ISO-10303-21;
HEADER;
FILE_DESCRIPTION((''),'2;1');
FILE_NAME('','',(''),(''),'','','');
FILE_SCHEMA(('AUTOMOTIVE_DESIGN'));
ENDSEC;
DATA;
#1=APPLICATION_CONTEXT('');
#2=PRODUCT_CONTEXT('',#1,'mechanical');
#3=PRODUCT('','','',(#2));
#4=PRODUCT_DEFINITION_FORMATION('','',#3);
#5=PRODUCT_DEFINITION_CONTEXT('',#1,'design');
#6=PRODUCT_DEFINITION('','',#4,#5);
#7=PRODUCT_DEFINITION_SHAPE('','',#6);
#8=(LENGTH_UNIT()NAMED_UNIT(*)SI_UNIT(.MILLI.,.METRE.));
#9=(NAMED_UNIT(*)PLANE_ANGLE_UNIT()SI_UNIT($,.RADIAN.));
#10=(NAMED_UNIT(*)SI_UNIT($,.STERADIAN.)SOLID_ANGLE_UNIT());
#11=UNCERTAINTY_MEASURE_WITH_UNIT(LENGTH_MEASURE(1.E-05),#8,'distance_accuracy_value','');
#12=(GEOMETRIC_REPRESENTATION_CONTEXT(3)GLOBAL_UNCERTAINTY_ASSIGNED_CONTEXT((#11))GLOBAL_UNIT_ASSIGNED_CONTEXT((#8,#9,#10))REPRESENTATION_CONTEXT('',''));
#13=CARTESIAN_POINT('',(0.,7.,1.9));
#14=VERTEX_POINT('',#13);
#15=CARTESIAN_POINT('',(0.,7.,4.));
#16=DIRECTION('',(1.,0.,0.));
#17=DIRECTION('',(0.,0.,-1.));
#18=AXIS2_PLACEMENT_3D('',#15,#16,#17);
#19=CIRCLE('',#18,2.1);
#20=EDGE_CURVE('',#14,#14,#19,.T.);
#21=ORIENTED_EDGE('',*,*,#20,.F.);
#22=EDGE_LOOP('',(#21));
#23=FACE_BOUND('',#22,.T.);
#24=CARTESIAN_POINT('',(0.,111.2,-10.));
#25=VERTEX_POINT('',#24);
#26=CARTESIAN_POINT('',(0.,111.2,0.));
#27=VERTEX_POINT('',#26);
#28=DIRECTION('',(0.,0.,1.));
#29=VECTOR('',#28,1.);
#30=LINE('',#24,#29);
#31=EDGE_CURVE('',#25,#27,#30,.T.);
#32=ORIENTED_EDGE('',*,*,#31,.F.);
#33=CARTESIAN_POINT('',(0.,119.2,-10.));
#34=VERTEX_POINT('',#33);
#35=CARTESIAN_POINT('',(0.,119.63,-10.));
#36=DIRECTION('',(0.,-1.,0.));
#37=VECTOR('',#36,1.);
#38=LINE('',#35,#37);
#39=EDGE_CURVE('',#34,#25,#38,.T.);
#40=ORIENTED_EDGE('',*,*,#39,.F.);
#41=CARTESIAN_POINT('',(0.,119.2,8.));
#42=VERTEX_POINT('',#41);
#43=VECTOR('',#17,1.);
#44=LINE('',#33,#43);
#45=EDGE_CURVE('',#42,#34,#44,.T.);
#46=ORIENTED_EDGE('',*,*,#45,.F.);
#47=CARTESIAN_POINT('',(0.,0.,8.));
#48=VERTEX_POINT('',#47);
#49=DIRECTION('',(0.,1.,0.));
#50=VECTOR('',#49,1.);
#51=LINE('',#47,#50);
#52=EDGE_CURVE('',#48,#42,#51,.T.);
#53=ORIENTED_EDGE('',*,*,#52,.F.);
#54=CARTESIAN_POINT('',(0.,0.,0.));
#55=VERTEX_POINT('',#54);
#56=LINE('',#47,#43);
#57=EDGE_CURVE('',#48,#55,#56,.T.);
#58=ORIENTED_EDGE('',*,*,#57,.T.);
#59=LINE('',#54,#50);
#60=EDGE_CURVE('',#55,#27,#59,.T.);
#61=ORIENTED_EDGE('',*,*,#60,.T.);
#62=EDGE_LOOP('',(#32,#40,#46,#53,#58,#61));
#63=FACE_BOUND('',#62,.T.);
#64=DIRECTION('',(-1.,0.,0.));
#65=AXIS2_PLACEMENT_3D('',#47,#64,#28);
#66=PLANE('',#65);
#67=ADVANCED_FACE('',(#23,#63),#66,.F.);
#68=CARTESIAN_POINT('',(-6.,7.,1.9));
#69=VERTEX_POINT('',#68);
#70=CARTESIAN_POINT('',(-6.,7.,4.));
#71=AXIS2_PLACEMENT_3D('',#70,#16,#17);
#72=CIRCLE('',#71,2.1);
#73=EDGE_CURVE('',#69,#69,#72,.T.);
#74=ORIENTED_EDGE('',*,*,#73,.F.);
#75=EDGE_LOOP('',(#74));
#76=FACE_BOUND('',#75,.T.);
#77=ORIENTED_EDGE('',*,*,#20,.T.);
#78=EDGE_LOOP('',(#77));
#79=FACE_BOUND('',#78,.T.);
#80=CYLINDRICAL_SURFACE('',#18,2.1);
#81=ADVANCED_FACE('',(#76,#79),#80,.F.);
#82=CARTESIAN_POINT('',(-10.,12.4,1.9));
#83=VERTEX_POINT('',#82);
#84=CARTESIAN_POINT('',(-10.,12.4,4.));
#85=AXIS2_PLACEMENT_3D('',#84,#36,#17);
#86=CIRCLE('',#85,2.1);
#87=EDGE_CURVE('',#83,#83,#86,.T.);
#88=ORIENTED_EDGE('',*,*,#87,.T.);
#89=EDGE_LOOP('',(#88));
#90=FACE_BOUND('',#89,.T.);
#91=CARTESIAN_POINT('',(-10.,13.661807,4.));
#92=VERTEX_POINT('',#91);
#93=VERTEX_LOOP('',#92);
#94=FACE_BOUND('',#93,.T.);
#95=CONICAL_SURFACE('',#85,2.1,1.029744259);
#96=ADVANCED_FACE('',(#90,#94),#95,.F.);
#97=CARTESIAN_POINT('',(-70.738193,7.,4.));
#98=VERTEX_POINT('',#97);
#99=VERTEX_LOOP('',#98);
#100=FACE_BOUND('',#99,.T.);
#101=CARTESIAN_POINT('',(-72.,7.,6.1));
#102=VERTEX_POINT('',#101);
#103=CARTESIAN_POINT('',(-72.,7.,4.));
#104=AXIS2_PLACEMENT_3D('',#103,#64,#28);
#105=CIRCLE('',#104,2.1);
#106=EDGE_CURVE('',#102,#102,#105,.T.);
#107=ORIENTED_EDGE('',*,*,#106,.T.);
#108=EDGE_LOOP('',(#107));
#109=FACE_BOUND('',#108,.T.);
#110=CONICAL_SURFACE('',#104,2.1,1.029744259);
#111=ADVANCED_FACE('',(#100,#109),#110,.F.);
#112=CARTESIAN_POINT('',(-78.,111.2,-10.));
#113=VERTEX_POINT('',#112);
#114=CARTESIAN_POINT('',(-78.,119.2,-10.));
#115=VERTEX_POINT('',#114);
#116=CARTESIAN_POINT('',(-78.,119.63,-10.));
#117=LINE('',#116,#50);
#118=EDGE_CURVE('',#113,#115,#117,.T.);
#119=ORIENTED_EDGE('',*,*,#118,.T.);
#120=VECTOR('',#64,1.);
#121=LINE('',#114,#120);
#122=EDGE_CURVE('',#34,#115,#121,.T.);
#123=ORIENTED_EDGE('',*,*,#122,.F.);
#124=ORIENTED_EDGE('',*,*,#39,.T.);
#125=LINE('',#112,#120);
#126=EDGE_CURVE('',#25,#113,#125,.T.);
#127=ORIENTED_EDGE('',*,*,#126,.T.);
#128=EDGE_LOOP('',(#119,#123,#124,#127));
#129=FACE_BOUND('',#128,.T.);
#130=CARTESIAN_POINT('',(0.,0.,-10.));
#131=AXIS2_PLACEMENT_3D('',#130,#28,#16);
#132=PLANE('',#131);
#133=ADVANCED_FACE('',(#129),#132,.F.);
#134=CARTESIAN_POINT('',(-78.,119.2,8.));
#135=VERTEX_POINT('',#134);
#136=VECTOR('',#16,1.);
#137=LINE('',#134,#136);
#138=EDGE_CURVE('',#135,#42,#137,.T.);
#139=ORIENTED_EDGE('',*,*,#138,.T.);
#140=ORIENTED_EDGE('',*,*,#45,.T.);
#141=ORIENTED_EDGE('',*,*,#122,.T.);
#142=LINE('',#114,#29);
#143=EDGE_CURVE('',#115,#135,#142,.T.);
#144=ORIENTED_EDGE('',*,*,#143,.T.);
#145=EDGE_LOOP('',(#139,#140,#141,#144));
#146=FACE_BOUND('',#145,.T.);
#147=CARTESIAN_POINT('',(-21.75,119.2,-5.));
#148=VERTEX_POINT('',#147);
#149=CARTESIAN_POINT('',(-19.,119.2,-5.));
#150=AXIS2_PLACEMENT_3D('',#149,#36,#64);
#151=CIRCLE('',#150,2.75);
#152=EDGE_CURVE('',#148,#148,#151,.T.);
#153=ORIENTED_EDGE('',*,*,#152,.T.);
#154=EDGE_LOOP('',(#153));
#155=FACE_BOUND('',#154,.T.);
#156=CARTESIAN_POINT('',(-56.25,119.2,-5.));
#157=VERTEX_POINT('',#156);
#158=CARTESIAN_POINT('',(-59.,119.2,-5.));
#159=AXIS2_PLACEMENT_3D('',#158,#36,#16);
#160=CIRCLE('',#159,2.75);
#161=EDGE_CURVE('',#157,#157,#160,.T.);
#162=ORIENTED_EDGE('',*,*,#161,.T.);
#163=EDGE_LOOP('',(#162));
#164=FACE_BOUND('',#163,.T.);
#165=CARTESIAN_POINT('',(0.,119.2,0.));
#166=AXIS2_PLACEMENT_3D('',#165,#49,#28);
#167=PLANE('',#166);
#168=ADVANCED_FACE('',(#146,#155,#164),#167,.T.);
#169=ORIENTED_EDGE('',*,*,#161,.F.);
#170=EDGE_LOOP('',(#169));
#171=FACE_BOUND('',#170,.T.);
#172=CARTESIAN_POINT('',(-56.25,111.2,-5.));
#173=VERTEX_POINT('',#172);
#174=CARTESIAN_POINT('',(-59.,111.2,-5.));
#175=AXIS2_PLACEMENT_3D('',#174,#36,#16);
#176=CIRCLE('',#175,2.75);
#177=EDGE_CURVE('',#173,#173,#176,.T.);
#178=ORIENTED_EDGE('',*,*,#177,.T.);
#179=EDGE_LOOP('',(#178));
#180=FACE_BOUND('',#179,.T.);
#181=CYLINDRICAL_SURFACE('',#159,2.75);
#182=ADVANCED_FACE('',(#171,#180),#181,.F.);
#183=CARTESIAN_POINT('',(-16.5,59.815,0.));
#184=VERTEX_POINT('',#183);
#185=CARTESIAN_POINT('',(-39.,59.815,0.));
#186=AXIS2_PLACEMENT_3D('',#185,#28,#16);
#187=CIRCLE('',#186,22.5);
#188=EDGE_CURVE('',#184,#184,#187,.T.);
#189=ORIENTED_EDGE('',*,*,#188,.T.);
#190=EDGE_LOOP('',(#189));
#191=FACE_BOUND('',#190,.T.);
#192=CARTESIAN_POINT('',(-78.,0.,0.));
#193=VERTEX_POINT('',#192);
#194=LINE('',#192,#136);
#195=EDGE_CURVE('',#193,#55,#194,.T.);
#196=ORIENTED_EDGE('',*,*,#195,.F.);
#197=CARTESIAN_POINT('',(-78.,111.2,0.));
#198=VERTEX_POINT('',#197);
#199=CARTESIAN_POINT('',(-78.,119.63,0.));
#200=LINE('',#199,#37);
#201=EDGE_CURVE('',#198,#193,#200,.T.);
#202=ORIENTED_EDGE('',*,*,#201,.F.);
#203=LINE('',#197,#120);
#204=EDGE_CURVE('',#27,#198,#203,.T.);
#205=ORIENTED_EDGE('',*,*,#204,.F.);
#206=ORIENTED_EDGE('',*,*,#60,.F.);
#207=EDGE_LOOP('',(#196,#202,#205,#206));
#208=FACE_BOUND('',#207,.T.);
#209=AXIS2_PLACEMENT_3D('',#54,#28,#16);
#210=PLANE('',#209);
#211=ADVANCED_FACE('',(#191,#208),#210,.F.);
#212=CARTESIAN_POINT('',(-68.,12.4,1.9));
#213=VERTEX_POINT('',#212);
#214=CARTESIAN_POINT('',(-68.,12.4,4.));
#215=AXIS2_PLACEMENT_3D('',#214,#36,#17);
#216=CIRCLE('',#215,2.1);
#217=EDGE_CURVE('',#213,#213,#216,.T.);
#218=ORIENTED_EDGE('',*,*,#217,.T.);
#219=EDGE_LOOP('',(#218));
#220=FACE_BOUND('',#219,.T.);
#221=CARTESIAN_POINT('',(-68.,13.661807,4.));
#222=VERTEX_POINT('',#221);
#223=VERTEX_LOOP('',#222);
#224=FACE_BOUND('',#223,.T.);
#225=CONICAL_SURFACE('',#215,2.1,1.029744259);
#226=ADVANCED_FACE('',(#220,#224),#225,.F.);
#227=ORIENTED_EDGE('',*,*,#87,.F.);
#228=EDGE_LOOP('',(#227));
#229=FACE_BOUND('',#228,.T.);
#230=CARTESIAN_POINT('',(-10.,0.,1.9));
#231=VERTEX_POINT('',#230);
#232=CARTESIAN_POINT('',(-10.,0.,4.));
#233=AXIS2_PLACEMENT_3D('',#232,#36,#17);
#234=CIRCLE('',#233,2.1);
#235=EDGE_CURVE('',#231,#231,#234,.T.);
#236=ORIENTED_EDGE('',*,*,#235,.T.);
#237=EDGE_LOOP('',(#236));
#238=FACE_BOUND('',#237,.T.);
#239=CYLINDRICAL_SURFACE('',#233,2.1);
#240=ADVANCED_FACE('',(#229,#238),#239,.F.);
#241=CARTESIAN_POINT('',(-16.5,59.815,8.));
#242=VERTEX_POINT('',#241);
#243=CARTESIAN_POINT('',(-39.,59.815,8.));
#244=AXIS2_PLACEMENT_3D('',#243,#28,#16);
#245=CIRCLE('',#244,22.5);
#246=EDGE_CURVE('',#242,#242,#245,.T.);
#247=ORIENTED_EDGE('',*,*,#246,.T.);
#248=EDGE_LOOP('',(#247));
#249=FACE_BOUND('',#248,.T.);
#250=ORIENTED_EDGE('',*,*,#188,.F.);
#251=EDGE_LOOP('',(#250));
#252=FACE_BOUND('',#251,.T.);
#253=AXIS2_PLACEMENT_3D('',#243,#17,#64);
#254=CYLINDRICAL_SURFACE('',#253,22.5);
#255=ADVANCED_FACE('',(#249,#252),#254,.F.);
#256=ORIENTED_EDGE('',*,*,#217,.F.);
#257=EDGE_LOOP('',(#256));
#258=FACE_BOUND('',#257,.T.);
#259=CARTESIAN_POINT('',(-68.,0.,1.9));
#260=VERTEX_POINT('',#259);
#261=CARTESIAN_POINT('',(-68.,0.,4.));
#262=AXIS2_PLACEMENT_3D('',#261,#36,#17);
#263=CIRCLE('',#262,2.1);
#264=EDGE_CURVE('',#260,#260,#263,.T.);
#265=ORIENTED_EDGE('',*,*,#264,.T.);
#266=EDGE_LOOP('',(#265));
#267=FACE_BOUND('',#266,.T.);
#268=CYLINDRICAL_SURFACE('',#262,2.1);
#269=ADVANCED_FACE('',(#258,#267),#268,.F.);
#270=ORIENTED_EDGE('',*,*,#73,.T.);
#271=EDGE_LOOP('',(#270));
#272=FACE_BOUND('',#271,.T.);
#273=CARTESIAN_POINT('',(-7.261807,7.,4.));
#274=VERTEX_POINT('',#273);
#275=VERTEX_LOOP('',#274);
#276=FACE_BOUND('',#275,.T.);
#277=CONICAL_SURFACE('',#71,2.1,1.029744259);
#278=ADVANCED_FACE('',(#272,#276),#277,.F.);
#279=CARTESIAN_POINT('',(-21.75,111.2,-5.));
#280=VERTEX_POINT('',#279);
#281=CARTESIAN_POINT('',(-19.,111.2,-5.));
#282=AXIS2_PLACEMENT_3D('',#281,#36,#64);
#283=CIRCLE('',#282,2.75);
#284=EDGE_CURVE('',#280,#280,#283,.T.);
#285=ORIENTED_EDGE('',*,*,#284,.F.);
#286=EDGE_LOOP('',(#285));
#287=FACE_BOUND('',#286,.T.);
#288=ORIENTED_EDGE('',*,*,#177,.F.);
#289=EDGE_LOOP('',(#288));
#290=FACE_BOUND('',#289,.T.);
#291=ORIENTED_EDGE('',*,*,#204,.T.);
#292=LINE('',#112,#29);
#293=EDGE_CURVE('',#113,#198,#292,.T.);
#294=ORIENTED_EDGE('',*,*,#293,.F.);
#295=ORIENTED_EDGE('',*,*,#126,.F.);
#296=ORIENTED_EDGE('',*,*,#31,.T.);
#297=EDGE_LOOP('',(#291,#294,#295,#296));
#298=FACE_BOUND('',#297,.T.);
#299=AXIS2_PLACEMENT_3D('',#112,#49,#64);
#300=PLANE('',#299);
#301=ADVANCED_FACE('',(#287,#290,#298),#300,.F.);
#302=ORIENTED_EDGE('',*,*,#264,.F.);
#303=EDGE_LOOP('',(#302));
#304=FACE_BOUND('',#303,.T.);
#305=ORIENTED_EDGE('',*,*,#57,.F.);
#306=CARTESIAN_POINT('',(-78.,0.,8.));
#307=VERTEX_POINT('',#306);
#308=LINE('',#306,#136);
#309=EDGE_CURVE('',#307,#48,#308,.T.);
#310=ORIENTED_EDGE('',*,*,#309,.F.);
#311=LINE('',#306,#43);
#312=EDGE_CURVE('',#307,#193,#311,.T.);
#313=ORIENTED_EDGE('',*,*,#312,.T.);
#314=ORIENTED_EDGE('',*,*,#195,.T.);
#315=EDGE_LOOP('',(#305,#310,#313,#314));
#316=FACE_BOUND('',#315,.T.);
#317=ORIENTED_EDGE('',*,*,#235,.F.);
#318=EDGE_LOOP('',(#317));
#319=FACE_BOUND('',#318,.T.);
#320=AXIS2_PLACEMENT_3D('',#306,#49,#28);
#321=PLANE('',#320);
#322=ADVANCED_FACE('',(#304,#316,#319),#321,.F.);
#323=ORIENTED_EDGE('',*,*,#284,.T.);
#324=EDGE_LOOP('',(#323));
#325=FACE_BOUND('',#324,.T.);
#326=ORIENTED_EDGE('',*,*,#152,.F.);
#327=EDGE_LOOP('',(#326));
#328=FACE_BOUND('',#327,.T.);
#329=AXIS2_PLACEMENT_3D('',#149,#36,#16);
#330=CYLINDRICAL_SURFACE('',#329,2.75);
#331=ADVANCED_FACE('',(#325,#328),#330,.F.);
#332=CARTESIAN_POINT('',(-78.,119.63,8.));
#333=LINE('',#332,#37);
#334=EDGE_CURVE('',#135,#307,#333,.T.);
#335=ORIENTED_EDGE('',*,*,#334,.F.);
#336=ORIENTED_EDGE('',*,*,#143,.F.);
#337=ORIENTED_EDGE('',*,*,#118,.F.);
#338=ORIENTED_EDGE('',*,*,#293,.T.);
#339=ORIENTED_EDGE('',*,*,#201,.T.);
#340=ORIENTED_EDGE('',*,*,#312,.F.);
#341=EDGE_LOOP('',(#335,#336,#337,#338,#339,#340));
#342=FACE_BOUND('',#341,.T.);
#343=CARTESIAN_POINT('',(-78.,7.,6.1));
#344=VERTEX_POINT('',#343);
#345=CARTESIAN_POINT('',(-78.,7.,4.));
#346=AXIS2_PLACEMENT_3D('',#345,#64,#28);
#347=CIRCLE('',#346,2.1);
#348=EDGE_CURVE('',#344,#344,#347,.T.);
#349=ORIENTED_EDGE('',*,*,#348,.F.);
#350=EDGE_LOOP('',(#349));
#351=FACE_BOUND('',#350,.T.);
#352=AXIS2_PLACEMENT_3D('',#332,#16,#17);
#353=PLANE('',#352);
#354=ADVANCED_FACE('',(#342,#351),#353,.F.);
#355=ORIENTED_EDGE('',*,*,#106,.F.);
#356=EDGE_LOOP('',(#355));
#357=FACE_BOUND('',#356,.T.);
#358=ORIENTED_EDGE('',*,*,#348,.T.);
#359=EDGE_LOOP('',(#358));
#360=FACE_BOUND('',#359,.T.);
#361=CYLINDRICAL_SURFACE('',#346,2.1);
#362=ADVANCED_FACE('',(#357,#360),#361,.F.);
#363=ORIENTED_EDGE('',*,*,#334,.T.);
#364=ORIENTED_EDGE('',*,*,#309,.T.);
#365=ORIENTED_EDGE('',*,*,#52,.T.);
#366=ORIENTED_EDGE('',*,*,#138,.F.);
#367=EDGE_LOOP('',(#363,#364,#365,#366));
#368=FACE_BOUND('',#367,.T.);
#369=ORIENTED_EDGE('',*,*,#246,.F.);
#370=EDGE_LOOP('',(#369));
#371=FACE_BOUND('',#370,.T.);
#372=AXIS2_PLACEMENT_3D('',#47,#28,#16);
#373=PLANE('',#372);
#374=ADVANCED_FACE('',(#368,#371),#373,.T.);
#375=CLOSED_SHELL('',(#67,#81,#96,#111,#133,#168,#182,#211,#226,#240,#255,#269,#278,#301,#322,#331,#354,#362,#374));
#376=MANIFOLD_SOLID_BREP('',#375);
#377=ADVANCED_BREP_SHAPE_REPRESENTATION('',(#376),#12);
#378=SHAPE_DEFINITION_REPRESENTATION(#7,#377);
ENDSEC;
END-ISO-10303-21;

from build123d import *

# Parameters (mm, degrees)
SKETCH_1_W                  = 78
SKETCH_1_H                  = 119.63
SKETCH_1_R                  = 22.5
EXTRUDE_1_DEPTH             = 8
HOLE_WIZARD_M5_1_AT_2_COUNT = 2
HOLE_WIZARD_M5_1_AT_2_PITCH = 58
SKETCH_4_W                  = 78
SKETCH_4_H                  = 23.52391086
EXTRUDE_2_DEPTH             = 8
SKETCH_5_W                  = 78
SKETCH_5_H                  = 8.43
EXTRUDE_3_DEPTH             = 10
SKETCH_6_W                  = 78
SKETCH_6_H                  = 18
CUT_EXTRUDE_1_DEPTH         = 0.43
SKETCH_7_R                  = 2.75
CUT_EXTRUDE_2_DEPTH         = 9
HOLE_WIZARD_M5_2_AT_2_COUNT = 2
HOLE_WIZARD_M5_2_AT_2_PITCH = 90


with BuildPart() as part:
    # 草图1 → 凸台-拉伸1 (new body)
    with BuildSketch(Plane.XY):
        with Locations((-39, 59.815)):
            Rectangle(SKETCH_1_W, SKETCH_1_H)
        with Locations((-39, 59.815)):
            Circle(SKETCH_1_R, mode=Mode.SUBTRACT)
    extrude(amount=EXTRUDE_1_DEPTH)

    # 草图3 → M5 螺纹孔1 (revolve, cut)
    with BuildSketch(Plane(origin=(-68, 119.63, 4), x_dir=(0, 0, 1), z_dir=(1, 0, 0))):
        Polygon((0, 0), (0, 13.6618073), (2.1, 12.4), (2.1, 0), align=None)
    hole_wizard_m5_1 = revolve(axis=Axis((-68, 125.98, 4), (0, -1, 0)), mode=Mode.SUBTRACT)

    # M5 螺纹孔1 at 2: M5 螺纹孔1 ×2
    with Locations(*[(i * HOLE_WIZARD_M5_1_AT_2_PITCH, 0, 0) for i in range(1, HOLE_WIZARD_M5_1_AT_2_COUNT)]):
        add(hole_wizard_m5_1, mode=Mode.SUBTRACT)

    # 镜向1: M5 螺纹孔1 across plane
    add(hole_wizard_m5_1.mirror(Plane.ZX.offset(59.815)), mode=Mode.SUBTRACT)

    # 镜向1 copy 1 sketch → 镜向1 copy 1 (revolve, cut)
    with BuildSketch(Plane(origin=(-10, 0, 4), x_dir=(0, 0, 1), z_dir=(1, 0, 0))):
        Polygon((0, 0), (0, -13.6618073), (2.1, -12.4), (2.1, 0), align=None)
    revolve(axis=Axis((-10, -6.35, 4), (0, -1, 0)), mode=Mode.SUBTRACT)

    # 草图4 → 凸台-拉伸2 (add)
    with BuildSketch(Plane.XY.offset(8)):
        with Locations((-39, 107.86804457)):
            Rectangle(SKETCH_4_W, SKETCH_4_H)
    extrude(amount=-EXTRUDE_2_DEPTH)

    # 草图5 → 凸台-拉伸3 (add)
    with BuildSketch(Plane(origin=(0, 0, 0), x_dir=(-1, 0, 0), z_dir=(0, 0, -1))):
        with Locations((39, 115.415)):
            Rectangle(SKETCH_5_W, SKETCH_5_H)
    extrude(amount=EXTRUDE_3_DEPTH)

    # 草图6 → 切除-拉伸1 (cut)
    with BuildSketch(Plane(origin=(0, 119.63, 0), x_dir=(1, 0, 0), z_dir=(0, 1, 0))):
        with Locations((-39, 1)):
            Rectangle(SKETCH_6_W, SKETCH_6_H)
    extrude(amount=-CUT_EXTRUDE_1_DEPTH, mode=Mode.SUBTRACT)

    # 草图7 → 切除-拉伸2 (cut, through all)
    with BuildSketch(Plane.XZ.offset(-111.2)):
        with Locations((-59, -5)):
            Circle(SKETCH_7_R)
        with Locations((-19, -5)):
            Circle(SKETCH_7_R)
    extrude(amount=-CUT_EXTRUDE_2_DEPTH, mode=Mode.SUBTRACT)

    # 草图9 → M5 螺纹孔2 (revolve, cut)
    with BuildSketch(Plane(origin=(-78, 7, 4), x_dir=(0, 0, 1), z_dir=(0, 1, 0))):
        Polygon((0, 0), (0, 7.2618073), (2.1, 6), (2.1, 0), align=None)
    hole_wizard_m5_2 = revolve(axis=Axis((-84.35, 7, 4), (1, 0, 0)), mode=Mode.SUBTRACT)

    # M5 螺纹孔2 at 2: M5 螺纹孔2 ×2
    with Locations(*[(0, 0, -i * HOLE_WIZARD_M5_2_AT_2_PITCH) for i in range(1, HOLE_WIZARD_M5_2_AT_2_COUNT)]):
        add(hole_wizard_m5_2, mode=Mode.SUBTRACT)

    # 镜向2: M5 螺纹孔2 across plane
    add(hole_wizard_m5_2.mirror(Plane(origin=(-39, 0, 0), x_dir=(0, 0, 1), z_dir=(1, 0, 0))), mode=Mode.SUBTRACT)

    # 镜向2 copy 1 sketch → 镜向2 copy 1 (revolve, cut)
    with BuildSketch(Plane(origin=(0, 7, -86), x_dir=(0, 0, 1), z_dir=(0, 1, 0))):
        Polygon((0, 0), (0, -7.2618073), (2.1, -6), (2.1, 0), align=None)
    revolve(axis=Axis((6.35, 7, -86), (1, 0, 0)), mode=Mode.SUBTRACT)


solid = part.part
